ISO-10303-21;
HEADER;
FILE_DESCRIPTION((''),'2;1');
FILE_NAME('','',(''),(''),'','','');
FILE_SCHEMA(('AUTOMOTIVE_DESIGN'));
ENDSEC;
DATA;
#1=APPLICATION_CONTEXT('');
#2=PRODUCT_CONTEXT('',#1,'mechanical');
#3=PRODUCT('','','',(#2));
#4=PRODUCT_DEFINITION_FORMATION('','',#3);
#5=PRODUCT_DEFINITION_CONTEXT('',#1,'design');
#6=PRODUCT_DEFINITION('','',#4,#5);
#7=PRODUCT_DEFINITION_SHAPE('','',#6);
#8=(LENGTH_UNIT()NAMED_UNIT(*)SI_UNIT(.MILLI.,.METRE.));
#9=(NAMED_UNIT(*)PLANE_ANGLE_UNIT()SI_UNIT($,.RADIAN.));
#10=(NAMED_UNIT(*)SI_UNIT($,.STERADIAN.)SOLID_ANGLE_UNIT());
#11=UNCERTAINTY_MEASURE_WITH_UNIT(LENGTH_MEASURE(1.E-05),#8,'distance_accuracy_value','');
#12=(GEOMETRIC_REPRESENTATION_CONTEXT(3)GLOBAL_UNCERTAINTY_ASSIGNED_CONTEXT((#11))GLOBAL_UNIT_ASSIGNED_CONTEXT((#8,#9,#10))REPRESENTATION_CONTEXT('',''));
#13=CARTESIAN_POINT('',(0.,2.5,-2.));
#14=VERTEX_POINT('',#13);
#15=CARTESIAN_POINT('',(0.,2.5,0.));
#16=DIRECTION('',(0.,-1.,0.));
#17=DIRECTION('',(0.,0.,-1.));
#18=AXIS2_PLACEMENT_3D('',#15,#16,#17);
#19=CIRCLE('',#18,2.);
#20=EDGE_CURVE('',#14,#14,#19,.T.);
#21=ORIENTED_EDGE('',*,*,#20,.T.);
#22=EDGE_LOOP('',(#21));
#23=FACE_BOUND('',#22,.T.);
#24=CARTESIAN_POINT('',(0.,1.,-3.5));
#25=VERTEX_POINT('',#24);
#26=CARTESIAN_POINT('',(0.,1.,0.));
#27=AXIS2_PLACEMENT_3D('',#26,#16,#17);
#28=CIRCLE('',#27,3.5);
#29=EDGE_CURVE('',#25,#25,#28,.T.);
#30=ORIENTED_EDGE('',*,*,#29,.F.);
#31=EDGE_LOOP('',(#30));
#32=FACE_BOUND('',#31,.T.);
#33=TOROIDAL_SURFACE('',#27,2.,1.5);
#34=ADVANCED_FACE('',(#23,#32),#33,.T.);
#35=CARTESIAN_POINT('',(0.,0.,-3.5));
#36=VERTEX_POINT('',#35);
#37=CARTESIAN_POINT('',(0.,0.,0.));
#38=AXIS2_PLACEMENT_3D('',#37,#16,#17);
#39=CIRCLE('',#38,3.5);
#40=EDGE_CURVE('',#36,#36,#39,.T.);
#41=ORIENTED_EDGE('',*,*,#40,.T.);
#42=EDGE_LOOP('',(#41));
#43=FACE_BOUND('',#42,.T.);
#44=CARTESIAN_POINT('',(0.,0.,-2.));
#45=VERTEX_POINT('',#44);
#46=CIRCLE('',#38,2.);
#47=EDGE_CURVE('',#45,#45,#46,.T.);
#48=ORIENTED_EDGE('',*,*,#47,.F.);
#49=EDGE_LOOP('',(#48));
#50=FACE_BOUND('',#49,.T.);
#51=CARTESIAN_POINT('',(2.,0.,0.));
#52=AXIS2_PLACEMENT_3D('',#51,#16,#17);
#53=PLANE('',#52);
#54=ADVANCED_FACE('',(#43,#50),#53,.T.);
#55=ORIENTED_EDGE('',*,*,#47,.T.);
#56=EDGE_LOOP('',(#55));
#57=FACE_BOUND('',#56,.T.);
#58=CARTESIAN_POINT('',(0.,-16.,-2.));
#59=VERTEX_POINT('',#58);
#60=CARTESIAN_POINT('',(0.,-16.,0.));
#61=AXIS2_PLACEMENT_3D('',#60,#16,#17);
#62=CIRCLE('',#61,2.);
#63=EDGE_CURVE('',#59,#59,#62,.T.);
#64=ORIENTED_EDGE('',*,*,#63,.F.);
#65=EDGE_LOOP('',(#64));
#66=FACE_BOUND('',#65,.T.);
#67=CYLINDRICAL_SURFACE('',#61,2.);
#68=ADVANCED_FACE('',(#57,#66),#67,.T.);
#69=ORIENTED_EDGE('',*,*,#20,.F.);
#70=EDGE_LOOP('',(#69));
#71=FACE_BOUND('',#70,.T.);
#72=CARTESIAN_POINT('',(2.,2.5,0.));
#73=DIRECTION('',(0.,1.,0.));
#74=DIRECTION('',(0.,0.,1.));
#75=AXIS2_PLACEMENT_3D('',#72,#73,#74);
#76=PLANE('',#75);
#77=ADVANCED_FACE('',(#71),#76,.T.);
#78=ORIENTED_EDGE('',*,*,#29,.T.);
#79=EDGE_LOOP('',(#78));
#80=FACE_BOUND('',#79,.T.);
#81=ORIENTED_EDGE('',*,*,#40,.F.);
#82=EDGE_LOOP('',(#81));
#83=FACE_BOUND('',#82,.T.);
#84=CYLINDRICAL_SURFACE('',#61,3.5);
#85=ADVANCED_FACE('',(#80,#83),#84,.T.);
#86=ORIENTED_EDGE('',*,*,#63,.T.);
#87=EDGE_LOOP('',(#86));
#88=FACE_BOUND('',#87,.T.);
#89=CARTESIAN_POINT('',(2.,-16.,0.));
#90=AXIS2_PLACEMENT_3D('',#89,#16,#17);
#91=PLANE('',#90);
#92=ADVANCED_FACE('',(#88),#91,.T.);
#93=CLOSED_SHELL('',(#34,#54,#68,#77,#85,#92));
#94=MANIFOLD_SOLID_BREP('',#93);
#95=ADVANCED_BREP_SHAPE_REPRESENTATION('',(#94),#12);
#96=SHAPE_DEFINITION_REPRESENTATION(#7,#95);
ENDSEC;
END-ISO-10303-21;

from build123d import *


with BuildPart() as part:
    # Sketch1 → Revolve1 (revolve)
    with BuildSketch(Plane.XY):
        with BuildLine():
            Line((2, 0), (3.5, 0))
            Line((3.5, 0), (3.5, 1))
            ThreePointArc((3.5, 1), (3.060660172, 2.060660172), (2, 2.5))
            Line((2, 2.5), (0, 2.5))
            Line((0, 2.5), (0, -16))
            Line((0, -16), (2, -16))
            Line((2, -16), (2, 0))
        make_face()
    revolve(axis=Axis((0, -16, 0), (0, 1, 0)))


solid = part.part
